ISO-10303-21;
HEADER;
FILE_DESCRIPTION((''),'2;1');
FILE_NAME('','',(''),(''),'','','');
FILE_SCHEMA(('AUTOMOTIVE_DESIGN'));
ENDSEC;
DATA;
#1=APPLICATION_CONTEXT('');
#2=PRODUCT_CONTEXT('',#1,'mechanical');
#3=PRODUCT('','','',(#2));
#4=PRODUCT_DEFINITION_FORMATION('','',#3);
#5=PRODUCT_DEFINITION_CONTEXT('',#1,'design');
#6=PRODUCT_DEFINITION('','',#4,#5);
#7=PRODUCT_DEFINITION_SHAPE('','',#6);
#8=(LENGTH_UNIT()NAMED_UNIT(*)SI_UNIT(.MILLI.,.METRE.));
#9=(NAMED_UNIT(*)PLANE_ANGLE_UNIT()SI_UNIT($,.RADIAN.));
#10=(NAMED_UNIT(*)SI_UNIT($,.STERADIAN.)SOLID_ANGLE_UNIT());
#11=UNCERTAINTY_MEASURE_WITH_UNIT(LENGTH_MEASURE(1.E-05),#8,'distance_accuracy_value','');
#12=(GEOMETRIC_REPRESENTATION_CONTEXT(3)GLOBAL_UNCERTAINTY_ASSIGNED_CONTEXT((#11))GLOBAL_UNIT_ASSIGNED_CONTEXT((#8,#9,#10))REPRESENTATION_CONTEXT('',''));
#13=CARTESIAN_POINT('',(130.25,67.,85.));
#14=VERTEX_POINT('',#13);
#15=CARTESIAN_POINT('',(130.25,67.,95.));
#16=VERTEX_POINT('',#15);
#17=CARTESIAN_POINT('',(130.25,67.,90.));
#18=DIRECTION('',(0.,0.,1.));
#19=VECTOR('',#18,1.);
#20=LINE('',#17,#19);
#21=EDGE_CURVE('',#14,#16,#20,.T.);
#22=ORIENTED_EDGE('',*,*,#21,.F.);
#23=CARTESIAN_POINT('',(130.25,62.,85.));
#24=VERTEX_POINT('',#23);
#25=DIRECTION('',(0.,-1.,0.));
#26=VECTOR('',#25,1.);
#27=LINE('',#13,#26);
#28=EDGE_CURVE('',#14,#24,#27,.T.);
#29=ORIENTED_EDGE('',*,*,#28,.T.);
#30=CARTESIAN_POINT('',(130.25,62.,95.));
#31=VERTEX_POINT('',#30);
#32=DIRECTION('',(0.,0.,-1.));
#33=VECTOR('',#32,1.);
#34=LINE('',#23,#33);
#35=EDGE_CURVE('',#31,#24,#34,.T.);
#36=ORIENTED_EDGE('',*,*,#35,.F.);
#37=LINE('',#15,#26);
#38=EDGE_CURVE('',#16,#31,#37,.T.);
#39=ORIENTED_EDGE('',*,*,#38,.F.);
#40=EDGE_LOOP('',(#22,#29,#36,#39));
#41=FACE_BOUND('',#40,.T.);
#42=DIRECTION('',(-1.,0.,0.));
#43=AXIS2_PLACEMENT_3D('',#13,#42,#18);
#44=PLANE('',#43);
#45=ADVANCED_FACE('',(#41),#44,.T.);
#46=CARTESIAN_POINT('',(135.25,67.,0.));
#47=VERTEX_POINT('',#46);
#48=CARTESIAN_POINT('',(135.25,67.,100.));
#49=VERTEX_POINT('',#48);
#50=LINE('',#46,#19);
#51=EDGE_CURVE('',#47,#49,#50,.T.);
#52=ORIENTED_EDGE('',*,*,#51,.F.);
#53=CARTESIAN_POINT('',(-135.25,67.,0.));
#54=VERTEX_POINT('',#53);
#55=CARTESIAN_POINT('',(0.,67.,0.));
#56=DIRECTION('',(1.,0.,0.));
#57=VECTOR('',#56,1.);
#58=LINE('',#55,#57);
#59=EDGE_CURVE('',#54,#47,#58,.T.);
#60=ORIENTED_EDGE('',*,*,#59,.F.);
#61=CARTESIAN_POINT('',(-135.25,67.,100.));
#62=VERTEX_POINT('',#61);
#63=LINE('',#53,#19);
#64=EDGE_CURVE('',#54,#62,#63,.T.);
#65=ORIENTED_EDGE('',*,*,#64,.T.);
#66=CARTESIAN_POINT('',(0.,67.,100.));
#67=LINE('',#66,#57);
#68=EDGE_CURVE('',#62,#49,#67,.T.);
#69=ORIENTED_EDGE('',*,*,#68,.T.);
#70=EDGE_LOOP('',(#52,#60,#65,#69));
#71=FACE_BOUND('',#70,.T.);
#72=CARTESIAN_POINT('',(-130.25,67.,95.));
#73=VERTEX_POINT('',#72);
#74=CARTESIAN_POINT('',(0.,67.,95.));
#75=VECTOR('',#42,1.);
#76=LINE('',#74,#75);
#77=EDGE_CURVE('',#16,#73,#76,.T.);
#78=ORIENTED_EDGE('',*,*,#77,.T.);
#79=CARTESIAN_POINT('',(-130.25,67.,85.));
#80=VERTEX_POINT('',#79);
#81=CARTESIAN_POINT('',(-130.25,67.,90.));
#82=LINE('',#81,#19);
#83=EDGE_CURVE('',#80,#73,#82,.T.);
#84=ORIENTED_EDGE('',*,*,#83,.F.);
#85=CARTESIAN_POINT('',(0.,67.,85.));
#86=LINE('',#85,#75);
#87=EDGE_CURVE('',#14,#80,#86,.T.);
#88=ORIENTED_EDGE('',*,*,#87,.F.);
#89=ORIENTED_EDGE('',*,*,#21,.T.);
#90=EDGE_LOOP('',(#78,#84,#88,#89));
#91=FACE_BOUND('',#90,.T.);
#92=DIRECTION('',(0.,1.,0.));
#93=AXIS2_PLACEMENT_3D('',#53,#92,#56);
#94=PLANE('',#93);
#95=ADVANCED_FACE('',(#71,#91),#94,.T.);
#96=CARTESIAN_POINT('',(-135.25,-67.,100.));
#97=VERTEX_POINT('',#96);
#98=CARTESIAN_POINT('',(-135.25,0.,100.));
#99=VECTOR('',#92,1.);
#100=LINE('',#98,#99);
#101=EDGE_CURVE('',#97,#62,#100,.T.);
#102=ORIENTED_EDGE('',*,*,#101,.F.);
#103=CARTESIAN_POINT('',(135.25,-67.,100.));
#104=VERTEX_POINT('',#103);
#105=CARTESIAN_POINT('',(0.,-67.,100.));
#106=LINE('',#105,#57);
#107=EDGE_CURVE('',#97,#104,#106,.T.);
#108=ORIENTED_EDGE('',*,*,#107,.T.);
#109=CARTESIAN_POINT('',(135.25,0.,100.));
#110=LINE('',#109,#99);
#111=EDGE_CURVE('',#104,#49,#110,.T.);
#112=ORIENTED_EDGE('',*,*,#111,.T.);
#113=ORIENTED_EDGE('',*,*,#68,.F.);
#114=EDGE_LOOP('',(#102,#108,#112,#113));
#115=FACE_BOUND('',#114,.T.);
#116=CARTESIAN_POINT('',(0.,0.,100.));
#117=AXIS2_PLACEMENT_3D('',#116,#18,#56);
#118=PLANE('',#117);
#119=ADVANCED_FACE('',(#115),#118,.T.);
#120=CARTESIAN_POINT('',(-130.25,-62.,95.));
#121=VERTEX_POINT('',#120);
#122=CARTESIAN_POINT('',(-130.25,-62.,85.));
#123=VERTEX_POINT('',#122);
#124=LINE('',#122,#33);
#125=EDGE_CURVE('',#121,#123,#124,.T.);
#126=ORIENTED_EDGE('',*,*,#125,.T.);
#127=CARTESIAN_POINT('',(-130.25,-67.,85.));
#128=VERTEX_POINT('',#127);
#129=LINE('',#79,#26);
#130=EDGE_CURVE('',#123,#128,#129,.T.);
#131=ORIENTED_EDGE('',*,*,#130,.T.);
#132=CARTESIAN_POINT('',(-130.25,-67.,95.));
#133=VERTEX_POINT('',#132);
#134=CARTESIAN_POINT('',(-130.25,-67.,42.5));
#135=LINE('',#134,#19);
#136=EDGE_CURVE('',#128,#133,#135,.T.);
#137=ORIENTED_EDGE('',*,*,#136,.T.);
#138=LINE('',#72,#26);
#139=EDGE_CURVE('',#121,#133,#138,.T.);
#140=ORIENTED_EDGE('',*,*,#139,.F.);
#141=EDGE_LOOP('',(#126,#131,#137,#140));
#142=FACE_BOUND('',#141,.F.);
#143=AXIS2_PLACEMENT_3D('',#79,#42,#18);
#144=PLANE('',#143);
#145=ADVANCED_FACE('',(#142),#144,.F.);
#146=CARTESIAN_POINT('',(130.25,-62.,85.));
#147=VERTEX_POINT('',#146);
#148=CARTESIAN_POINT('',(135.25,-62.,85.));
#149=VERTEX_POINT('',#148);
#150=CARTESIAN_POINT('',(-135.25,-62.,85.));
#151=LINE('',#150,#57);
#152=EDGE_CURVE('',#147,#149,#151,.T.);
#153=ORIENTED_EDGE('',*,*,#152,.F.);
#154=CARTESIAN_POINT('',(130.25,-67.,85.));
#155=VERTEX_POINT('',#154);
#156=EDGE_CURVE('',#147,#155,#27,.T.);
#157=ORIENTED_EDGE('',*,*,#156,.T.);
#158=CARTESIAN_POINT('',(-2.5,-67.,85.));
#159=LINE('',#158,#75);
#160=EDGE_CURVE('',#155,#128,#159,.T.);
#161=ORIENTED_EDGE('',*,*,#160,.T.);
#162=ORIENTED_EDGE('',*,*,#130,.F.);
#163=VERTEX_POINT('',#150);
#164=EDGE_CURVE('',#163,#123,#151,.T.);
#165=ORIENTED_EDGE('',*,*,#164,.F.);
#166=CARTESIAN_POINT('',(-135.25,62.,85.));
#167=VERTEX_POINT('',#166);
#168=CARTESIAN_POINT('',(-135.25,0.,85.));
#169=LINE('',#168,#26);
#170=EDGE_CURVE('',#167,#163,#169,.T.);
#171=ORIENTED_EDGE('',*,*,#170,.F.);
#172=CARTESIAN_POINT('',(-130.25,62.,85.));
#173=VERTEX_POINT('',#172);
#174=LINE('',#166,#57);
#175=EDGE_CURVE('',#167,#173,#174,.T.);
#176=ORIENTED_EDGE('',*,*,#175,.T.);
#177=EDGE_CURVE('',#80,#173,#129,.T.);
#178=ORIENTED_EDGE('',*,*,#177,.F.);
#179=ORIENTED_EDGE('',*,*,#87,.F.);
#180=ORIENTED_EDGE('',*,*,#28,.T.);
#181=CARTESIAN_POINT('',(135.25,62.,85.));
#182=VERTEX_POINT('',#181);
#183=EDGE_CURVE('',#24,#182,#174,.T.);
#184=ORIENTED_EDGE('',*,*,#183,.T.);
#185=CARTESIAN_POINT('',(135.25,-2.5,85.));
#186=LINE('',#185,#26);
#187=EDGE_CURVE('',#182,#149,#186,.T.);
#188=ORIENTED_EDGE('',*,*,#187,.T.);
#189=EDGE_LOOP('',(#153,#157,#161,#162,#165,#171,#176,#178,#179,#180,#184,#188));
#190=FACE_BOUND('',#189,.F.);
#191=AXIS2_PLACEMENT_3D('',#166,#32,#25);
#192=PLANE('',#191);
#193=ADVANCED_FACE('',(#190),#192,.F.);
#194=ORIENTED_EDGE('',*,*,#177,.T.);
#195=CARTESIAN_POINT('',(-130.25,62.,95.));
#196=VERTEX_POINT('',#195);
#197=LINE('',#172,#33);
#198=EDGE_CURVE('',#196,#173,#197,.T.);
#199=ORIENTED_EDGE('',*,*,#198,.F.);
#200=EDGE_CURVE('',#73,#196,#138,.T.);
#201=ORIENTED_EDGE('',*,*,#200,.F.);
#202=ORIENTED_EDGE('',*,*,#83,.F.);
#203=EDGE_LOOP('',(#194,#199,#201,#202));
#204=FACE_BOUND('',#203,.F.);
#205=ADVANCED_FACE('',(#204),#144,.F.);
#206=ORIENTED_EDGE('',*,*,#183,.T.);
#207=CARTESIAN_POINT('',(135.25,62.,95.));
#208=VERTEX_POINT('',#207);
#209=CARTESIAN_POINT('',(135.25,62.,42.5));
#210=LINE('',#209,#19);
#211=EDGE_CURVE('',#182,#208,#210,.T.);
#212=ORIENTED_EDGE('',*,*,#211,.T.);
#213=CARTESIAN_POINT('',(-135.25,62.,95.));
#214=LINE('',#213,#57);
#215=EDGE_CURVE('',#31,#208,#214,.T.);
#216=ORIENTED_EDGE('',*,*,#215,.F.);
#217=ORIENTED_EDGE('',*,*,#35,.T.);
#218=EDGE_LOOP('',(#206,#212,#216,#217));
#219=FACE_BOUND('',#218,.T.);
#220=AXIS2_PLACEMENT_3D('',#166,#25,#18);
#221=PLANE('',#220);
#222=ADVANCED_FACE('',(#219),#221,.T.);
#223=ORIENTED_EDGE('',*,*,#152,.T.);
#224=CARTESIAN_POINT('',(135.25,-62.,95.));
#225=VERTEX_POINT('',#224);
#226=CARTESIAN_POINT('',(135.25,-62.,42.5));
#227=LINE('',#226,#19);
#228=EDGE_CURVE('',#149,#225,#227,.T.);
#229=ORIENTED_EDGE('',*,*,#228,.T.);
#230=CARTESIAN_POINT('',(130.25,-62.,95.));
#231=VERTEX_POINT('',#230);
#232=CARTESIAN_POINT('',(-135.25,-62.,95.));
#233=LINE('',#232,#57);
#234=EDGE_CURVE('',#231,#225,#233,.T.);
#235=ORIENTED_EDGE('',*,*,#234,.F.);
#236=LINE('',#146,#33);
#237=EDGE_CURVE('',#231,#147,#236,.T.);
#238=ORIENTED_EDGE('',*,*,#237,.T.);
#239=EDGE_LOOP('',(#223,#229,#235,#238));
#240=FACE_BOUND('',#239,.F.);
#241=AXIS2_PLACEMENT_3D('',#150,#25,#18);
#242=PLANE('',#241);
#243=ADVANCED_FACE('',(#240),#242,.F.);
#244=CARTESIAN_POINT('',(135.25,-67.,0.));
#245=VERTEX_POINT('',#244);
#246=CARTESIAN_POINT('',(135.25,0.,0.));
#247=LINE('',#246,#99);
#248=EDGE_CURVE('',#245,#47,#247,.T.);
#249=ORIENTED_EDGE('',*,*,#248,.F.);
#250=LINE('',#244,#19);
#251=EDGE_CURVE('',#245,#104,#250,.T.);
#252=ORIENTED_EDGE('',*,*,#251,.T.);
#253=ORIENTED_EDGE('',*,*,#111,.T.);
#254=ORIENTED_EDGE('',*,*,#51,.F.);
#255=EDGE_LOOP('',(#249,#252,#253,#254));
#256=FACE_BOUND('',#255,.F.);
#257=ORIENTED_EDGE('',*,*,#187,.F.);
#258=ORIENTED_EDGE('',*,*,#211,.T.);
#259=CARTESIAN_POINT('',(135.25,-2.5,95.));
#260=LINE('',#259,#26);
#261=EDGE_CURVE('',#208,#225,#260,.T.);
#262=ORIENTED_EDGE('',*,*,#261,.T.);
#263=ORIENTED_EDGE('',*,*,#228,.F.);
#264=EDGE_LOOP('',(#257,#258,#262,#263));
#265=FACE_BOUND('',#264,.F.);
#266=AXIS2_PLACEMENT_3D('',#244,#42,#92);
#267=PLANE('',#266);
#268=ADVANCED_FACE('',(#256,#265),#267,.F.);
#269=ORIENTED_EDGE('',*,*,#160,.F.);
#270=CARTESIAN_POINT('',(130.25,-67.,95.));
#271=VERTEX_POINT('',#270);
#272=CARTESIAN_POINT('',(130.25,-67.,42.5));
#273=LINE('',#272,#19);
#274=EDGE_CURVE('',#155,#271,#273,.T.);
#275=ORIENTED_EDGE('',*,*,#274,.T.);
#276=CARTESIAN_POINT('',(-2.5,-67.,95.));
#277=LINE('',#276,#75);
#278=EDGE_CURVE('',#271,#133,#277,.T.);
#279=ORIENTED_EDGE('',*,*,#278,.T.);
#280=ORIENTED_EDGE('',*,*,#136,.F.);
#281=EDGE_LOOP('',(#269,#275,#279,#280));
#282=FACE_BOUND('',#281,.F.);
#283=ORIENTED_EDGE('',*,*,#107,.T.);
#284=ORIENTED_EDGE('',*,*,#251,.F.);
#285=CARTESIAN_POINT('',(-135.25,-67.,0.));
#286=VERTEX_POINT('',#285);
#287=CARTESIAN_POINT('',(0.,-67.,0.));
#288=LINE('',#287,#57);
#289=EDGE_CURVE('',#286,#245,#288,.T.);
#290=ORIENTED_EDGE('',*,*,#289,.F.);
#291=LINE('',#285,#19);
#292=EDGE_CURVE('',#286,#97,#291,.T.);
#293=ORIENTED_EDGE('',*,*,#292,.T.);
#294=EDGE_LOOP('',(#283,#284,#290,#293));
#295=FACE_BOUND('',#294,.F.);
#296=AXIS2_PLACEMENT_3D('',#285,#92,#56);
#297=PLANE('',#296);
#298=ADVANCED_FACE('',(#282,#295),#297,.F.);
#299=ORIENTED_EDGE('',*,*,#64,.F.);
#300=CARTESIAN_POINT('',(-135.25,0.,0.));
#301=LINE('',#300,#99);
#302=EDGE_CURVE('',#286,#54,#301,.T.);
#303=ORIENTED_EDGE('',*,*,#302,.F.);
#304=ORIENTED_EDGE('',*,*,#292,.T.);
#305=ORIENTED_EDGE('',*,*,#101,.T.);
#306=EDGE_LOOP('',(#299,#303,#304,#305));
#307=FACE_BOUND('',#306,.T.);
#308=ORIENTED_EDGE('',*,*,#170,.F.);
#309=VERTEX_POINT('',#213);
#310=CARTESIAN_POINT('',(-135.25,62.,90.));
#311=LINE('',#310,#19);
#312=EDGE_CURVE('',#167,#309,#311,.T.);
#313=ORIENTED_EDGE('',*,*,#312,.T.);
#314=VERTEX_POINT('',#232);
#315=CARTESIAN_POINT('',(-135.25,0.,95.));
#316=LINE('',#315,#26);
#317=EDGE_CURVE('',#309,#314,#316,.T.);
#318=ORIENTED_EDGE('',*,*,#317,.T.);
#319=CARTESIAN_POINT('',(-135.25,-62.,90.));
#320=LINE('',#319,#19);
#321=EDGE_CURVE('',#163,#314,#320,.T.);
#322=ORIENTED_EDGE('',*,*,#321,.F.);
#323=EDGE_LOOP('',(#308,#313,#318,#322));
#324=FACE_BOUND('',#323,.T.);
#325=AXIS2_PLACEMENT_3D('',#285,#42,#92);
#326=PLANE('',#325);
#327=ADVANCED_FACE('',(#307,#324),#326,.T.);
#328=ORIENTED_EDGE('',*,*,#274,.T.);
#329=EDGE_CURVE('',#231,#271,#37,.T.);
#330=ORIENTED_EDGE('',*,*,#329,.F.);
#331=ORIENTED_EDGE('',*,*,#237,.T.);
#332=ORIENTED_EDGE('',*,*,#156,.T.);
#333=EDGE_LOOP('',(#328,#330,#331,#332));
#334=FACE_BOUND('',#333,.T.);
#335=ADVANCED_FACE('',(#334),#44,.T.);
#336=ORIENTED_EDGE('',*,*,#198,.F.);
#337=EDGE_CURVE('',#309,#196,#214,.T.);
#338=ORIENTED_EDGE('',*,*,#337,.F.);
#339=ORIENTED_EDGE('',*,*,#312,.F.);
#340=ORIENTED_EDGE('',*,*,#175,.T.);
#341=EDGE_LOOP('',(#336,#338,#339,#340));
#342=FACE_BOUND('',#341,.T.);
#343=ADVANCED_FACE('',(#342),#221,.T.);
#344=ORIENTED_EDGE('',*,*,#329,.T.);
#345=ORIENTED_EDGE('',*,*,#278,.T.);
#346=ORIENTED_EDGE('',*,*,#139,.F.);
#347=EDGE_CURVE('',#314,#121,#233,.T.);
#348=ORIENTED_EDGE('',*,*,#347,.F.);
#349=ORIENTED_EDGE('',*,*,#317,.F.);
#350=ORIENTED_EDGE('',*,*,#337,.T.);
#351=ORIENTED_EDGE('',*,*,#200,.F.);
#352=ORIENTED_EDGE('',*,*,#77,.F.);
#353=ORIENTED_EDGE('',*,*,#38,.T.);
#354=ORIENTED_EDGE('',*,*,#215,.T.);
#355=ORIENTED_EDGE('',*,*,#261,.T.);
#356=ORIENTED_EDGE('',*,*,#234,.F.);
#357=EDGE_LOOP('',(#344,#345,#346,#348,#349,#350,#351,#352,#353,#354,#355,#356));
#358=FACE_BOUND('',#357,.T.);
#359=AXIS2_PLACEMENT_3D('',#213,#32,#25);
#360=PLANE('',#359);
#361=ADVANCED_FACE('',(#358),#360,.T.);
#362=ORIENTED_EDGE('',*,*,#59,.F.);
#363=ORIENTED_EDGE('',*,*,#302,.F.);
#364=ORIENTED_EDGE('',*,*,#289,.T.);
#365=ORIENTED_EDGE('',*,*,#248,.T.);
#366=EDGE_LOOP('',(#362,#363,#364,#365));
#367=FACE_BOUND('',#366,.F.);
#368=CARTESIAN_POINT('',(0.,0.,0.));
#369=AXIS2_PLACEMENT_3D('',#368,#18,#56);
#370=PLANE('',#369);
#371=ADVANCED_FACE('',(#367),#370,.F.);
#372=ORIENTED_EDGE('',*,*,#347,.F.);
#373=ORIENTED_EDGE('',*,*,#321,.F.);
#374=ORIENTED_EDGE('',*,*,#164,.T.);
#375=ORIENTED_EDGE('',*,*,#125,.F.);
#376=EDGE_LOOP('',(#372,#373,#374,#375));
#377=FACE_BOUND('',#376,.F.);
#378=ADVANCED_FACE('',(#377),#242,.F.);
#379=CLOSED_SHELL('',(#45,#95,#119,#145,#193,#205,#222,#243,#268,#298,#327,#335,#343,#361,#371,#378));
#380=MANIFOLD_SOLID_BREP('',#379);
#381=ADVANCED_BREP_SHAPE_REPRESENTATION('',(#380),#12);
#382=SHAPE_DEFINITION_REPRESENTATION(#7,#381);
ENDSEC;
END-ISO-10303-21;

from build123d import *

# Parameters (mm, degrees)
F0_W     = 270.5
F0_H     = 134
F1_DEPTH = 100
F2_W     = 124
F2_H     = 10
F3_DEPTH = 270.501
F4_W     = 260.5
F4_H     = 10
F5_DEPTH = 134.001


with BuildPart() as f1:
    # F0 (on Top) → F1 (new body)
    with BuildSketch(Plane.XY):
        Rectangle(F0_W, F0_H)
    extrude(amount=F1_DEPTH)

    # F2 (on face) → F3 (cut, through all)
    with BuildSketch(Plane(origin=(-135.25, 0, 0), x_dir=(0, -1, 0), z_dir=(-1, 0, 0))):
        with Locations((0, 90)):
            Rectangle(F2_W, F2_H)
    extrude(amount=-F3_DEPTH, mode=Mode.SUBTRACT)

    # F4 (on face) → F5 (cut, through all)
    with BuildSketch(Plane(origin=(0, 67, 0), x_dir=(-1, 0, 0), z_dir=(0, 1, 0))):
        with Locations((0, 90)):
            Rectangle(F4_W, F4_H)
    extrude(amount=-F5_DEPTH, mode=Mode.SUBTRACT)


solid = f1.part
